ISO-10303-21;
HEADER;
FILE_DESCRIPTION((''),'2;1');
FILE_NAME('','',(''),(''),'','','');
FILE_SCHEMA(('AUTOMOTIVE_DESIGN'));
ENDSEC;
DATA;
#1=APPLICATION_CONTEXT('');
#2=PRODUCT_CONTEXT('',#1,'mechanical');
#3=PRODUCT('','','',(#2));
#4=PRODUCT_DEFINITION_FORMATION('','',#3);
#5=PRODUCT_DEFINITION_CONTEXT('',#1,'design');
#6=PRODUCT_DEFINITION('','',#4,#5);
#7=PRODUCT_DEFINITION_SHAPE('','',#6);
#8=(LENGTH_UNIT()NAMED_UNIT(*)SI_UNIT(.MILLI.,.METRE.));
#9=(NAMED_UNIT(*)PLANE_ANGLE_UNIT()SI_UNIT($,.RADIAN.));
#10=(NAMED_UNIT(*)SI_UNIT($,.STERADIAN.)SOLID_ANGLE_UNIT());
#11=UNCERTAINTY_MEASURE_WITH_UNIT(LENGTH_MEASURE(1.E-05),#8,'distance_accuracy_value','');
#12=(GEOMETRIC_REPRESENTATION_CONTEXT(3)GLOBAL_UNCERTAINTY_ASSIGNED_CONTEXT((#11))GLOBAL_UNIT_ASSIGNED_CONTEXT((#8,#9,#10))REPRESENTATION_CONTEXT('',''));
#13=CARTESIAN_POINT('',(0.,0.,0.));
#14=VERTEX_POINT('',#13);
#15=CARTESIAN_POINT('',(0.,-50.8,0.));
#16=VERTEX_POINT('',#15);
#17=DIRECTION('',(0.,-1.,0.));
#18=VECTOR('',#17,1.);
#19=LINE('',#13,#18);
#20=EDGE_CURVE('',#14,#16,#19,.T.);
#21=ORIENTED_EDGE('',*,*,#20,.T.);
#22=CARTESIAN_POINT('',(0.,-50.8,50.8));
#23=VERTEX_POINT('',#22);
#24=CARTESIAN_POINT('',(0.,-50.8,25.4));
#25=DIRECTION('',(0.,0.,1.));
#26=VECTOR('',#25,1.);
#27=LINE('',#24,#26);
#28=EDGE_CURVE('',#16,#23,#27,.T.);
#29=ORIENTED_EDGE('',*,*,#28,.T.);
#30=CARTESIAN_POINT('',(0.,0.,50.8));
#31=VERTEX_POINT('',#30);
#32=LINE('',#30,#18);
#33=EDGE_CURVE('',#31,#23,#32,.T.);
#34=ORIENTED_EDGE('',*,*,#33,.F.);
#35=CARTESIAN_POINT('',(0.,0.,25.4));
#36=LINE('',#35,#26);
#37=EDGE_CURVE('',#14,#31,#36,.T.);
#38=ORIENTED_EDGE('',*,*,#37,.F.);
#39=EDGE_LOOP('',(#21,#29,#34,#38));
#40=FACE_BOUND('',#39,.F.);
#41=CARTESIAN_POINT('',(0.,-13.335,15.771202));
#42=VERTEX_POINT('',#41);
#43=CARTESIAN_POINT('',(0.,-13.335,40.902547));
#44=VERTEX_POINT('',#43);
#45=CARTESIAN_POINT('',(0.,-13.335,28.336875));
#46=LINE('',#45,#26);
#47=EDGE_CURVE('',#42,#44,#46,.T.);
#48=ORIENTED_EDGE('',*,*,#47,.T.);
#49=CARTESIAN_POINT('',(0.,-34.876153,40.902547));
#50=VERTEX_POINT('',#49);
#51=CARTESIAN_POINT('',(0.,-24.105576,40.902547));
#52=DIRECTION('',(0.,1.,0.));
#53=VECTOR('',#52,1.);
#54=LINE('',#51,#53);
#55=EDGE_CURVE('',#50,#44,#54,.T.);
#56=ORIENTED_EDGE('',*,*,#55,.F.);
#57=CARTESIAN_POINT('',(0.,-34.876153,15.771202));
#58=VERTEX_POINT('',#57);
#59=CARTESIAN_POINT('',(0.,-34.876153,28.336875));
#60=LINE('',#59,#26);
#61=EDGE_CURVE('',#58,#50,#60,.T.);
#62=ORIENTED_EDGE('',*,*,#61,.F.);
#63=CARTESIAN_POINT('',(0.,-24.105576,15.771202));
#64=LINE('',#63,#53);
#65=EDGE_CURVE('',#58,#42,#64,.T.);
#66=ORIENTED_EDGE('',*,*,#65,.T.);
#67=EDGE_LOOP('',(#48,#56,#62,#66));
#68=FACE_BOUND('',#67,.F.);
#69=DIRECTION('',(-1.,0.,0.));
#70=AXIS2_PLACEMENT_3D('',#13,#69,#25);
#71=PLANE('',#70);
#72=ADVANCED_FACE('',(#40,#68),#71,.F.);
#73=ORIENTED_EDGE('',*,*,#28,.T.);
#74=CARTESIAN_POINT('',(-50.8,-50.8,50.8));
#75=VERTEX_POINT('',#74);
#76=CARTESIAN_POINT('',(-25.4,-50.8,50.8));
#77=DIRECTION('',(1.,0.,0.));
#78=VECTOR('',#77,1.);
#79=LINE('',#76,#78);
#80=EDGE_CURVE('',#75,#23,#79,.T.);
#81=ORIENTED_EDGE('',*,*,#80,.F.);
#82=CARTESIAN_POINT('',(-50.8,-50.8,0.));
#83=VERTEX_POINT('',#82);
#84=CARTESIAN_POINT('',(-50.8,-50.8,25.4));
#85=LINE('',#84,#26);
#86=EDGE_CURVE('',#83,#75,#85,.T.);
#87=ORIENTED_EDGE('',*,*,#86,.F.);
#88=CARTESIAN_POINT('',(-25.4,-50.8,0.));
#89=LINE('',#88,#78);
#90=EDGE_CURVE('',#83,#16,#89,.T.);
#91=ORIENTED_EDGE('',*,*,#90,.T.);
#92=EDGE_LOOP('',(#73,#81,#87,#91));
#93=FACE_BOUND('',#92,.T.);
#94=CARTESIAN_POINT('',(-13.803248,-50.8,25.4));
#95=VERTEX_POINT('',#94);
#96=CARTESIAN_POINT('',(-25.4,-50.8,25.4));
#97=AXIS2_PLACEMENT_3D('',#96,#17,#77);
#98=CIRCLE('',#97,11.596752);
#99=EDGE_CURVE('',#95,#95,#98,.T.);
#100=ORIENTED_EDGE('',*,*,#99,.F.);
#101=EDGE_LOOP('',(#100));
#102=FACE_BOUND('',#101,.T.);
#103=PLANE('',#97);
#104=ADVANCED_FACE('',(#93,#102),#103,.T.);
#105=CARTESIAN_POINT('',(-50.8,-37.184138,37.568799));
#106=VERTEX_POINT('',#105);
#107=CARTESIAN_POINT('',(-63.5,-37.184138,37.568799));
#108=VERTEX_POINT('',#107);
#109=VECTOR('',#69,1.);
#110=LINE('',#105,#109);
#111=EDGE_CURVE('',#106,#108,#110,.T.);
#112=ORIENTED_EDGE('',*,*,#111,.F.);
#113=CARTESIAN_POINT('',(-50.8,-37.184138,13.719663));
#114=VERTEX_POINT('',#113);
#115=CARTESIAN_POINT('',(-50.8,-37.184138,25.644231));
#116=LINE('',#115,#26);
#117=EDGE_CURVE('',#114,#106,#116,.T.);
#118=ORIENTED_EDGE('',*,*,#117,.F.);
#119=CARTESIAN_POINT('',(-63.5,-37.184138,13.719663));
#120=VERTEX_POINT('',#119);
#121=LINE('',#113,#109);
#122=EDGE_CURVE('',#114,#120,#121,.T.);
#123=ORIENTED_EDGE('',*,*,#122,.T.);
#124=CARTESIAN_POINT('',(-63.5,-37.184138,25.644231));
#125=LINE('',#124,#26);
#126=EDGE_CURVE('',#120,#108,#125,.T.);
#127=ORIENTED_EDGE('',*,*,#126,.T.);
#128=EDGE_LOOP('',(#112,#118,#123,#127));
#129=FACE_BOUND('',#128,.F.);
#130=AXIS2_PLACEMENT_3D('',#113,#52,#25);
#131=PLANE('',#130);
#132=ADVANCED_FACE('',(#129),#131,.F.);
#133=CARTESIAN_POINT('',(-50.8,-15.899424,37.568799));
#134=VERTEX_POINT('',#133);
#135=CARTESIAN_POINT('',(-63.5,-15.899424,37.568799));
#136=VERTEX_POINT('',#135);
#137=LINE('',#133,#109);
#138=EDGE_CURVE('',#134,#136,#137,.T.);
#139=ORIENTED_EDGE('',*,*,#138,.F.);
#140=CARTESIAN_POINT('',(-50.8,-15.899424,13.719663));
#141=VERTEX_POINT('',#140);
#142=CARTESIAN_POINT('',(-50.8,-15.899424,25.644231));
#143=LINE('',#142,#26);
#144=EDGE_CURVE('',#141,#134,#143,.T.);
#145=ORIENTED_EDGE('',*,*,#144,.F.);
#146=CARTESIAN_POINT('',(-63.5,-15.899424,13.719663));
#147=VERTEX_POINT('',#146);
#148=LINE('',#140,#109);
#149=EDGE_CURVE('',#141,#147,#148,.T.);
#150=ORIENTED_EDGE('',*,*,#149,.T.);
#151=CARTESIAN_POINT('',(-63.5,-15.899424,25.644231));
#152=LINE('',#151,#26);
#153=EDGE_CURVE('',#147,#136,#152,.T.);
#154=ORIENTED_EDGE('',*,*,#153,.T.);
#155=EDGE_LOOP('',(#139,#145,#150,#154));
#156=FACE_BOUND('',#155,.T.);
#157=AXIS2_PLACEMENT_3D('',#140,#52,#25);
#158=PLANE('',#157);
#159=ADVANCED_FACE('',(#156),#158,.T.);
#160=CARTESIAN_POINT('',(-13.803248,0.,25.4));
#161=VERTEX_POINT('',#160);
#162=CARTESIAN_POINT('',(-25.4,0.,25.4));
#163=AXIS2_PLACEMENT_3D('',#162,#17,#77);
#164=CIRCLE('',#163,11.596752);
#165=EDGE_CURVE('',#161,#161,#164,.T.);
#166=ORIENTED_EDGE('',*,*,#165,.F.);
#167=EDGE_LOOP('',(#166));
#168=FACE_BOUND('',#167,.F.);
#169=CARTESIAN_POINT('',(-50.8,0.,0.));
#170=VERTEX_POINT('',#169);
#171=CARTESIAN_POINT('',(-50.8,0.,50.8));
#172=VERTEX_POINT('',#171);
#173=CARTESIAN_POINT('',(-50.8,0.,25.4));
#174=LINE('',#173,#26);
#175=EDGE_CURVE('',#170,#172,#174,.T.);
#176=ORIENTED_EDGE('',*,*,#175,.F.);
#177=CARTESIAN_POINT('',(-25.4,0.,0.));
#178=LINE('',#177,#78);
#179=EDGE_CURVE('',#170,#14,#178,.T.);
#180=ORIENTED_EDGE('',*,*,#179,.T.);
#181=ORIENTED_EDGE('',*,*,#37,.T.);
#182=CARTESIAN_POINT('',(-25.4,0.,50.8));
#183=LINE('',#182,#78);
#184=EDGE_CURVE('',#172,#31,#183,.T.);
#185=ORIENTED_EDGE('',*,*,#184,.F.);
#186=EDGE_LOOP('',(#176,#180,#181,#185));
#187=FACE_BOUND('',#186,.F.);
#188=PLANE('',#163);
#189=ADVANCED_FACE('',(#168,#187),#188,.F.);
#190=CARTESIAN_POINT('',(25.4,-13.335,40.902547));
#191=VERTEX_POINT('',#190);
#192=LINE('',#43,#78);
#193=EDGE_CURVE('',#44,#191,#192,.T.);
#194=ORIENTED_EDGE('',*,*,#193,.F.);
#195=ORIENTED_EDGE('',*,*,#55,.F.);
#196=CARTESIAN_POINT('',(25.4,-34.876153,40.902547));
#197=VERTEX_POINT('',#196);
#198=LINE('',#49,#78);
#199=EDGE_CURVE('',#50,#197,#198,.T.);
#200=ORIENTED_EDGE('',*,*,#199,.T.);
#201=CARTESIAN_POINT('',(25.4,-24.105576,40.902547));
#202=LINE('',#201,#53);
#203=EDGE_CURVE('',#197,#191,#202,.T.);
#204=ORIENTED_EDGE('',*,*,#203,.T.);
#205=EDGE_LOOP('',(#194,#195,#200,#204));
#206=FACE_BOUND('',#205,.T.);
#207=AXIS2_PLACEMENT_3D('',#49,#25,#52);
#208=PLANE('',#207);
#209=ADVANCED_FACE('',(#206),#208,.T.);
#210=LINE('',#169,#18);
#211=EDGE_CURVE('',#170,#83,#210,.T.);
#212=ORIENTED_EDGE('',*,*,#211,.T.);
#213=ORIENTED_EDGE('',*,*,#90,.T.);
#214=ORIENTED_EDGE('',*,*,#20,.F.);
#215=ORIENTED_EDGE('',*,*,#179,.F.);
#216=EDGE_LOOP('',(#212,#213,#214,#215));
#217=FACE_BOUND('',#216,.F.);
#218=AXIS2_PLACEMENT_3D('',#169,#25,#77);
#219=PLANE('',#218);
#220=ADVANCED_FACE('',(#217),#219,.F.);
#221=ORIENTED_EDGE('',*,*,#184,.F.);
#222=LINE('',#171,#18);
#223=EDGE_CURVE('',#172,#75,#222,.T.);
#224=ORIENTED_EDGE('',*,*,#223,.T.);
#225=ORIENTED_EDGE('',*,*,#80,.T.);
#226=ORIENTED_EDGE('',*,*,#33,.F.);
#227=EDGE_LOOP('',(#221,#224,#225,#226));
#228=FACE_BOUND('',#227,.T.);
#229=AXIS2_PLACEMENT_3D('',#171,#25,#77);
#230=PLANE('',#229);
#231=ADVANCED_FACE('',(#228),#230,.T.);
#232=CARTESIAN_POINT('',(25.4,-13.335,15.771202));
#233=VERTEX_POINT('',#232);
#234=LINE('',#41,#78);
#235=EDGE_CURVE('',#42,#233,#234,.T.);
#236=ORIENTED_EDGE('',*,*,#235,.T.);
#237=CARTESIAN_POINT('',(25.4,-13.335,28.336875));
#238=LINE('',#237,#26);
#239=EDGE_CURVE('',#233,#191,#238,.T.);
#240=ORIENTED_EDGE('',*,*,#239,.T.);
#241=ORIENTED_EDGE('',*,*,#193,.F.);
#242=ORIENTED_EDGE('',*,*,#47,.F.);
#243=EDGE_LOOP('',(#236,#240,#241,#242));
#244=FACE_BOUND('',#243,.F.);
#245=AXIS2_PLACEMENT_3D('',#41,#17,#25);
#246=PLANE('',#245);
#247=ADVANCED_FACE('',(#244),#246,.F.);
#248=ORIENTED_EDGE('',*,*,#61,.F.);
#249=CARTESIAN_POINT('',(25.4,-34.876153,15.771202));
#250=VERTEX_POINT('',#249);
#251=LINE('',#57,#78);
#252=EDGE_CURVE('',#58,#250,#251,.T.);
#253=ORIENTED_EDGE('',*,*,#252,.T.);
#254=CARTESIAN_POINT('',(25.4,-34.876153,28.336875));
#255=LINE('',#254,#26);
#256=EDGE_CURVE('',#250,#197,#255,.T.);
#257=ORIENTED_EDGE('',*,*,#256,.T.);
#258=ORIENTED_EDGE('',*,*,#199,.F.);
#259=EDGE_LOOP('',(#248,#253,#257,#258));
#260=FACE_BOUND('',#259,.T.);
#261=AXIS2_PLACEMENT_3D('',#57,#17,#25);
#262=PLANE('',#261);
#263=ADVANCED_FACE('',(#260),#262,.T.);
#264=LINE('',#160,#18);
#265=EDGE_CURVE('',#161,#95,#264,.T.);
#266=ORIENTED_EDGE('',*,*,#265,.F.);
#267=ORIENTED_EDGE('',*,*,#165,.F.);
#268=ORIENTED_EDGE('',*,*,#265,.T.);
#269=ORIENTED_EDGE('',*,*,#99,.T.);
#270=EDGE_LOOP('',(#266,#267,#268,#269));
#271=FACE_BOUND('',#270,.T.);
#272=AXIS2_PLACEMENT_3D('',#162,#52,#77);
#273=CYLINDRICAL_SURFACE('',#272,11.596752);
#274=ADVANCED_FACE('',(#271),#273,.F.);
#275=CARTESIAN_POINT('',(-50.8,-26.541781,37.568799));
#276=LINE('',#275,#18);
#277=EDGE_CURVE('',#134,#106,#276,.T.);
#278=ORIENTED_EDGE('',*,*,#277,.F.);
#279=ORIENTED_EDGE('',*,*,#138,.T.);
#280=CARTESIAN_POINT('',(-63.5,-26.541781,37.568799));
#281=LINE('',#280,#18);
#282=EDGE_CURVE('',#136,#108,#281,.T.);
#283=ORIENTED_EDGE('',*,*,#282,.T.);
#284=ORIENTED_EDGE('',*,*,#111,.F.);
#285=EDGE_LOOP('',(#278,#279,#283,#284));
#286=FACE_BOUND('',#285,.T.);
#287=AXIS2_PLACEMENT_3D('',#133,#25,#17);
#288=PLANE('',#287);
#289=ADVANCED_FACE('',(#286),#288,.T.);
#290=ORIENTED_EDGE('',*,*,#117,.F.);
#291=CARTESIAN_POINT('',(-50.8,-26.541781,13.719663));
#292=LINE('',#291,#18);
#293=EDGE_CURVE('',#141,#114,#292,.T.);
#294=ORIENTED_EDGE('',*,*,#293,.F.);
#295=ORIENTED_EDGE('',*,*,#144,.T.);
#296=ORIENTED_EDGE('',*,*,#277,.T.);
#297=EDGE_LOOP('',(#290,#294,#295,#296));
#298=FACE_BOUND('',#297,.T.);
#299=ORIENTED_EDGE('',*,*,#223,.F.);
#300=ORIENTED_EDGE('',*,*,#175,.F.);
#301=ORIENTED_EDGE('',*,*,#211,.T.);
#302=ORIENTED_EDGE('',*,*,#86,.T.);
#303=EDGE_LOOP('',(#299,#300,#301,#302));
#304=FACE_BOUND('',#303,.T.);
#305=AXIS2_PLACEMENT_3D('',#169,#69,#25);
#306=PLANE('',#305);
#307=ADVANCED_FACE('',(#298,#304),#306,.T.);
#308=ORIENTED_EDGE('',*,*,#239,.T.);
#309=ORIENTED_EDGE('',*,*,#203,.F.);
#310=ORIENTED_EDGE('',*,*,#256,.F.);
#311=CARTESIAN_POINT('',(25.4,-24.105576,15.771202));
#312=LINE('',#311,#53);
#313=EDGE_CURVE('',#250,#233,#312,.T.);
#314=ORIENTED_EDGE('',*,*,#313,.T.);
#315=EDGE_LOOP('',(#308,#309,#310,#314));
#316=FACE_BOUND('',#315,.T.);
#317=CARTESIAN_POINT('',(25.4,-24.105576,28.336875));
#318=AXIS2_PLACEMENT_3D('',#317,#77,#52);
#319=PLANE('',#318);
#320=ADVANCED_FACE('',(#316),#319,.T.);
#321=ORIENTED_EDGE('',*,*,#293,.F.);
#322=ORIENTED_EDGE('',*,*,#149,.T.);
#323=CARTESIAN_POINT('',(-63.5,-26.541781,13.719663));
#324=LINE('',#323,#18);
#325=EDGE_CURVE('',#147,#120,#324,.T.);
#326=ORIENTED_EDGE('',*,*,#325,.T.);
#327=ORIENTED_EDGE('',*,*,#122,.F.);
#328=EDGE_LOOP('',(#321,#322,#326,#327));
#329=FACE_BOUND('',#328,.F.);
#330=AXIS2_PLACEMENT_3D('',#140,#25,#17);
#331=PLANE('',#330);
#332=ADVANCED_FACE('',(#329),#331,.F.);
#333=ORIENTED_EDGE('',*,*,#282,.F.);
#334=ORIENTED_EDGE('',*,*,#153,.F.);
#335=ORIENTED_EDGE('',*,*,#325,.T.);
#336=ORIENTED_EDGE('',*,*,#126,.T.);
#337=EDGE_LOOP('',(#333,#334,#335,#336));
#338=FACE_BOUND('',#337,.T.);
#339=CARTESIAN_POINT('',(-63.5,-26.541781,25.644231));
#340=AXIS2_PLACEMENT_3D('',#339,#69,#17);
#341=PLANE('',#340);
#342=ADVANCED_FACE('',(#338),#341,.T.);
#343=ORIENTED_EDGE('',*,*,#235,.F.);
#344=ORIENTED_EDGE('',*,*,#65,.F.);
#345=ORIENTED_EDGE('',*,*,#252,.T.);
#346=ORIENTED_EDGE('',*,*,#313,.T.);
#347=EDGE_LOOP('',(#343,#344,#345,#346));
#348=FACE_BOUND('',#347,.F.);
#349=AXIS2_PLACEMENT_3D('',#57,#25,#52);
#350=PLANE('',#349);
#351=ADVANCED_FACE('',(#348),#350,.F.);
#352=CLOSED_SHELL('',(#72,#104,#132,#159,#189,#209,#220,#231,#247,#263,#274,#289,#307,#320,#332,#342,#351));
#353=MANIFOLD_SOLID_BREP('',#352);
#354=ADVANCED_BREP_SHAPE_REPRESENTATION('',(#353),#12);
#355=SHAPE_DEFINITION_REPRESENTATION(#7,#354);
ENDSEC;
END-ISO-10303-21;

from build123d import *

# Parameters (mm, degrees)
F0_W     = 50.8
F0_H     = 50.8
F0_R     = 11.596752
F1_DEPTH = 50.8
F2_W     = 21.541153
F2_H     = 25.131345
F3_DEPTH = 25.4
F4_W     = 21.284714
F4_H     = 23.849137
F5_DEPTH = 12.7


with BuildPart() as f1:
    # F0 (on Front) → F1 (new body)
    with BuildSketch(Plane.XZ):
        with Locations((-25.4, 25.4)):
            Rectangle(F0_W, F0_H)
        with Locations((-25.4, 25.4)):
            Circle(F0_R, mode=Mode.SUBTRACT)
    extrude(amount=F1_DEPTH)

    # F2 (on face) → F3 (join)
    with BuildSketch(Plane.YZ):
        with Locations((-24.105576, 28.336875)):
            Rectangle(F2_W, F2_H)
    extrude(amount=F3_DEPTH)

    # F4 (on face) → F5 (join)
    with BuildSketch(Plane(origin=(-50.8, 0, 0), x_dir=(0, -1, 0), z_dir=(-1, 0, 0))):
        with Locations((26.541781, 25.644231)):
            Rectangle(F4_W, F4_H)
    extrude(amount=F5_DEPTH)


solid = f1.part
